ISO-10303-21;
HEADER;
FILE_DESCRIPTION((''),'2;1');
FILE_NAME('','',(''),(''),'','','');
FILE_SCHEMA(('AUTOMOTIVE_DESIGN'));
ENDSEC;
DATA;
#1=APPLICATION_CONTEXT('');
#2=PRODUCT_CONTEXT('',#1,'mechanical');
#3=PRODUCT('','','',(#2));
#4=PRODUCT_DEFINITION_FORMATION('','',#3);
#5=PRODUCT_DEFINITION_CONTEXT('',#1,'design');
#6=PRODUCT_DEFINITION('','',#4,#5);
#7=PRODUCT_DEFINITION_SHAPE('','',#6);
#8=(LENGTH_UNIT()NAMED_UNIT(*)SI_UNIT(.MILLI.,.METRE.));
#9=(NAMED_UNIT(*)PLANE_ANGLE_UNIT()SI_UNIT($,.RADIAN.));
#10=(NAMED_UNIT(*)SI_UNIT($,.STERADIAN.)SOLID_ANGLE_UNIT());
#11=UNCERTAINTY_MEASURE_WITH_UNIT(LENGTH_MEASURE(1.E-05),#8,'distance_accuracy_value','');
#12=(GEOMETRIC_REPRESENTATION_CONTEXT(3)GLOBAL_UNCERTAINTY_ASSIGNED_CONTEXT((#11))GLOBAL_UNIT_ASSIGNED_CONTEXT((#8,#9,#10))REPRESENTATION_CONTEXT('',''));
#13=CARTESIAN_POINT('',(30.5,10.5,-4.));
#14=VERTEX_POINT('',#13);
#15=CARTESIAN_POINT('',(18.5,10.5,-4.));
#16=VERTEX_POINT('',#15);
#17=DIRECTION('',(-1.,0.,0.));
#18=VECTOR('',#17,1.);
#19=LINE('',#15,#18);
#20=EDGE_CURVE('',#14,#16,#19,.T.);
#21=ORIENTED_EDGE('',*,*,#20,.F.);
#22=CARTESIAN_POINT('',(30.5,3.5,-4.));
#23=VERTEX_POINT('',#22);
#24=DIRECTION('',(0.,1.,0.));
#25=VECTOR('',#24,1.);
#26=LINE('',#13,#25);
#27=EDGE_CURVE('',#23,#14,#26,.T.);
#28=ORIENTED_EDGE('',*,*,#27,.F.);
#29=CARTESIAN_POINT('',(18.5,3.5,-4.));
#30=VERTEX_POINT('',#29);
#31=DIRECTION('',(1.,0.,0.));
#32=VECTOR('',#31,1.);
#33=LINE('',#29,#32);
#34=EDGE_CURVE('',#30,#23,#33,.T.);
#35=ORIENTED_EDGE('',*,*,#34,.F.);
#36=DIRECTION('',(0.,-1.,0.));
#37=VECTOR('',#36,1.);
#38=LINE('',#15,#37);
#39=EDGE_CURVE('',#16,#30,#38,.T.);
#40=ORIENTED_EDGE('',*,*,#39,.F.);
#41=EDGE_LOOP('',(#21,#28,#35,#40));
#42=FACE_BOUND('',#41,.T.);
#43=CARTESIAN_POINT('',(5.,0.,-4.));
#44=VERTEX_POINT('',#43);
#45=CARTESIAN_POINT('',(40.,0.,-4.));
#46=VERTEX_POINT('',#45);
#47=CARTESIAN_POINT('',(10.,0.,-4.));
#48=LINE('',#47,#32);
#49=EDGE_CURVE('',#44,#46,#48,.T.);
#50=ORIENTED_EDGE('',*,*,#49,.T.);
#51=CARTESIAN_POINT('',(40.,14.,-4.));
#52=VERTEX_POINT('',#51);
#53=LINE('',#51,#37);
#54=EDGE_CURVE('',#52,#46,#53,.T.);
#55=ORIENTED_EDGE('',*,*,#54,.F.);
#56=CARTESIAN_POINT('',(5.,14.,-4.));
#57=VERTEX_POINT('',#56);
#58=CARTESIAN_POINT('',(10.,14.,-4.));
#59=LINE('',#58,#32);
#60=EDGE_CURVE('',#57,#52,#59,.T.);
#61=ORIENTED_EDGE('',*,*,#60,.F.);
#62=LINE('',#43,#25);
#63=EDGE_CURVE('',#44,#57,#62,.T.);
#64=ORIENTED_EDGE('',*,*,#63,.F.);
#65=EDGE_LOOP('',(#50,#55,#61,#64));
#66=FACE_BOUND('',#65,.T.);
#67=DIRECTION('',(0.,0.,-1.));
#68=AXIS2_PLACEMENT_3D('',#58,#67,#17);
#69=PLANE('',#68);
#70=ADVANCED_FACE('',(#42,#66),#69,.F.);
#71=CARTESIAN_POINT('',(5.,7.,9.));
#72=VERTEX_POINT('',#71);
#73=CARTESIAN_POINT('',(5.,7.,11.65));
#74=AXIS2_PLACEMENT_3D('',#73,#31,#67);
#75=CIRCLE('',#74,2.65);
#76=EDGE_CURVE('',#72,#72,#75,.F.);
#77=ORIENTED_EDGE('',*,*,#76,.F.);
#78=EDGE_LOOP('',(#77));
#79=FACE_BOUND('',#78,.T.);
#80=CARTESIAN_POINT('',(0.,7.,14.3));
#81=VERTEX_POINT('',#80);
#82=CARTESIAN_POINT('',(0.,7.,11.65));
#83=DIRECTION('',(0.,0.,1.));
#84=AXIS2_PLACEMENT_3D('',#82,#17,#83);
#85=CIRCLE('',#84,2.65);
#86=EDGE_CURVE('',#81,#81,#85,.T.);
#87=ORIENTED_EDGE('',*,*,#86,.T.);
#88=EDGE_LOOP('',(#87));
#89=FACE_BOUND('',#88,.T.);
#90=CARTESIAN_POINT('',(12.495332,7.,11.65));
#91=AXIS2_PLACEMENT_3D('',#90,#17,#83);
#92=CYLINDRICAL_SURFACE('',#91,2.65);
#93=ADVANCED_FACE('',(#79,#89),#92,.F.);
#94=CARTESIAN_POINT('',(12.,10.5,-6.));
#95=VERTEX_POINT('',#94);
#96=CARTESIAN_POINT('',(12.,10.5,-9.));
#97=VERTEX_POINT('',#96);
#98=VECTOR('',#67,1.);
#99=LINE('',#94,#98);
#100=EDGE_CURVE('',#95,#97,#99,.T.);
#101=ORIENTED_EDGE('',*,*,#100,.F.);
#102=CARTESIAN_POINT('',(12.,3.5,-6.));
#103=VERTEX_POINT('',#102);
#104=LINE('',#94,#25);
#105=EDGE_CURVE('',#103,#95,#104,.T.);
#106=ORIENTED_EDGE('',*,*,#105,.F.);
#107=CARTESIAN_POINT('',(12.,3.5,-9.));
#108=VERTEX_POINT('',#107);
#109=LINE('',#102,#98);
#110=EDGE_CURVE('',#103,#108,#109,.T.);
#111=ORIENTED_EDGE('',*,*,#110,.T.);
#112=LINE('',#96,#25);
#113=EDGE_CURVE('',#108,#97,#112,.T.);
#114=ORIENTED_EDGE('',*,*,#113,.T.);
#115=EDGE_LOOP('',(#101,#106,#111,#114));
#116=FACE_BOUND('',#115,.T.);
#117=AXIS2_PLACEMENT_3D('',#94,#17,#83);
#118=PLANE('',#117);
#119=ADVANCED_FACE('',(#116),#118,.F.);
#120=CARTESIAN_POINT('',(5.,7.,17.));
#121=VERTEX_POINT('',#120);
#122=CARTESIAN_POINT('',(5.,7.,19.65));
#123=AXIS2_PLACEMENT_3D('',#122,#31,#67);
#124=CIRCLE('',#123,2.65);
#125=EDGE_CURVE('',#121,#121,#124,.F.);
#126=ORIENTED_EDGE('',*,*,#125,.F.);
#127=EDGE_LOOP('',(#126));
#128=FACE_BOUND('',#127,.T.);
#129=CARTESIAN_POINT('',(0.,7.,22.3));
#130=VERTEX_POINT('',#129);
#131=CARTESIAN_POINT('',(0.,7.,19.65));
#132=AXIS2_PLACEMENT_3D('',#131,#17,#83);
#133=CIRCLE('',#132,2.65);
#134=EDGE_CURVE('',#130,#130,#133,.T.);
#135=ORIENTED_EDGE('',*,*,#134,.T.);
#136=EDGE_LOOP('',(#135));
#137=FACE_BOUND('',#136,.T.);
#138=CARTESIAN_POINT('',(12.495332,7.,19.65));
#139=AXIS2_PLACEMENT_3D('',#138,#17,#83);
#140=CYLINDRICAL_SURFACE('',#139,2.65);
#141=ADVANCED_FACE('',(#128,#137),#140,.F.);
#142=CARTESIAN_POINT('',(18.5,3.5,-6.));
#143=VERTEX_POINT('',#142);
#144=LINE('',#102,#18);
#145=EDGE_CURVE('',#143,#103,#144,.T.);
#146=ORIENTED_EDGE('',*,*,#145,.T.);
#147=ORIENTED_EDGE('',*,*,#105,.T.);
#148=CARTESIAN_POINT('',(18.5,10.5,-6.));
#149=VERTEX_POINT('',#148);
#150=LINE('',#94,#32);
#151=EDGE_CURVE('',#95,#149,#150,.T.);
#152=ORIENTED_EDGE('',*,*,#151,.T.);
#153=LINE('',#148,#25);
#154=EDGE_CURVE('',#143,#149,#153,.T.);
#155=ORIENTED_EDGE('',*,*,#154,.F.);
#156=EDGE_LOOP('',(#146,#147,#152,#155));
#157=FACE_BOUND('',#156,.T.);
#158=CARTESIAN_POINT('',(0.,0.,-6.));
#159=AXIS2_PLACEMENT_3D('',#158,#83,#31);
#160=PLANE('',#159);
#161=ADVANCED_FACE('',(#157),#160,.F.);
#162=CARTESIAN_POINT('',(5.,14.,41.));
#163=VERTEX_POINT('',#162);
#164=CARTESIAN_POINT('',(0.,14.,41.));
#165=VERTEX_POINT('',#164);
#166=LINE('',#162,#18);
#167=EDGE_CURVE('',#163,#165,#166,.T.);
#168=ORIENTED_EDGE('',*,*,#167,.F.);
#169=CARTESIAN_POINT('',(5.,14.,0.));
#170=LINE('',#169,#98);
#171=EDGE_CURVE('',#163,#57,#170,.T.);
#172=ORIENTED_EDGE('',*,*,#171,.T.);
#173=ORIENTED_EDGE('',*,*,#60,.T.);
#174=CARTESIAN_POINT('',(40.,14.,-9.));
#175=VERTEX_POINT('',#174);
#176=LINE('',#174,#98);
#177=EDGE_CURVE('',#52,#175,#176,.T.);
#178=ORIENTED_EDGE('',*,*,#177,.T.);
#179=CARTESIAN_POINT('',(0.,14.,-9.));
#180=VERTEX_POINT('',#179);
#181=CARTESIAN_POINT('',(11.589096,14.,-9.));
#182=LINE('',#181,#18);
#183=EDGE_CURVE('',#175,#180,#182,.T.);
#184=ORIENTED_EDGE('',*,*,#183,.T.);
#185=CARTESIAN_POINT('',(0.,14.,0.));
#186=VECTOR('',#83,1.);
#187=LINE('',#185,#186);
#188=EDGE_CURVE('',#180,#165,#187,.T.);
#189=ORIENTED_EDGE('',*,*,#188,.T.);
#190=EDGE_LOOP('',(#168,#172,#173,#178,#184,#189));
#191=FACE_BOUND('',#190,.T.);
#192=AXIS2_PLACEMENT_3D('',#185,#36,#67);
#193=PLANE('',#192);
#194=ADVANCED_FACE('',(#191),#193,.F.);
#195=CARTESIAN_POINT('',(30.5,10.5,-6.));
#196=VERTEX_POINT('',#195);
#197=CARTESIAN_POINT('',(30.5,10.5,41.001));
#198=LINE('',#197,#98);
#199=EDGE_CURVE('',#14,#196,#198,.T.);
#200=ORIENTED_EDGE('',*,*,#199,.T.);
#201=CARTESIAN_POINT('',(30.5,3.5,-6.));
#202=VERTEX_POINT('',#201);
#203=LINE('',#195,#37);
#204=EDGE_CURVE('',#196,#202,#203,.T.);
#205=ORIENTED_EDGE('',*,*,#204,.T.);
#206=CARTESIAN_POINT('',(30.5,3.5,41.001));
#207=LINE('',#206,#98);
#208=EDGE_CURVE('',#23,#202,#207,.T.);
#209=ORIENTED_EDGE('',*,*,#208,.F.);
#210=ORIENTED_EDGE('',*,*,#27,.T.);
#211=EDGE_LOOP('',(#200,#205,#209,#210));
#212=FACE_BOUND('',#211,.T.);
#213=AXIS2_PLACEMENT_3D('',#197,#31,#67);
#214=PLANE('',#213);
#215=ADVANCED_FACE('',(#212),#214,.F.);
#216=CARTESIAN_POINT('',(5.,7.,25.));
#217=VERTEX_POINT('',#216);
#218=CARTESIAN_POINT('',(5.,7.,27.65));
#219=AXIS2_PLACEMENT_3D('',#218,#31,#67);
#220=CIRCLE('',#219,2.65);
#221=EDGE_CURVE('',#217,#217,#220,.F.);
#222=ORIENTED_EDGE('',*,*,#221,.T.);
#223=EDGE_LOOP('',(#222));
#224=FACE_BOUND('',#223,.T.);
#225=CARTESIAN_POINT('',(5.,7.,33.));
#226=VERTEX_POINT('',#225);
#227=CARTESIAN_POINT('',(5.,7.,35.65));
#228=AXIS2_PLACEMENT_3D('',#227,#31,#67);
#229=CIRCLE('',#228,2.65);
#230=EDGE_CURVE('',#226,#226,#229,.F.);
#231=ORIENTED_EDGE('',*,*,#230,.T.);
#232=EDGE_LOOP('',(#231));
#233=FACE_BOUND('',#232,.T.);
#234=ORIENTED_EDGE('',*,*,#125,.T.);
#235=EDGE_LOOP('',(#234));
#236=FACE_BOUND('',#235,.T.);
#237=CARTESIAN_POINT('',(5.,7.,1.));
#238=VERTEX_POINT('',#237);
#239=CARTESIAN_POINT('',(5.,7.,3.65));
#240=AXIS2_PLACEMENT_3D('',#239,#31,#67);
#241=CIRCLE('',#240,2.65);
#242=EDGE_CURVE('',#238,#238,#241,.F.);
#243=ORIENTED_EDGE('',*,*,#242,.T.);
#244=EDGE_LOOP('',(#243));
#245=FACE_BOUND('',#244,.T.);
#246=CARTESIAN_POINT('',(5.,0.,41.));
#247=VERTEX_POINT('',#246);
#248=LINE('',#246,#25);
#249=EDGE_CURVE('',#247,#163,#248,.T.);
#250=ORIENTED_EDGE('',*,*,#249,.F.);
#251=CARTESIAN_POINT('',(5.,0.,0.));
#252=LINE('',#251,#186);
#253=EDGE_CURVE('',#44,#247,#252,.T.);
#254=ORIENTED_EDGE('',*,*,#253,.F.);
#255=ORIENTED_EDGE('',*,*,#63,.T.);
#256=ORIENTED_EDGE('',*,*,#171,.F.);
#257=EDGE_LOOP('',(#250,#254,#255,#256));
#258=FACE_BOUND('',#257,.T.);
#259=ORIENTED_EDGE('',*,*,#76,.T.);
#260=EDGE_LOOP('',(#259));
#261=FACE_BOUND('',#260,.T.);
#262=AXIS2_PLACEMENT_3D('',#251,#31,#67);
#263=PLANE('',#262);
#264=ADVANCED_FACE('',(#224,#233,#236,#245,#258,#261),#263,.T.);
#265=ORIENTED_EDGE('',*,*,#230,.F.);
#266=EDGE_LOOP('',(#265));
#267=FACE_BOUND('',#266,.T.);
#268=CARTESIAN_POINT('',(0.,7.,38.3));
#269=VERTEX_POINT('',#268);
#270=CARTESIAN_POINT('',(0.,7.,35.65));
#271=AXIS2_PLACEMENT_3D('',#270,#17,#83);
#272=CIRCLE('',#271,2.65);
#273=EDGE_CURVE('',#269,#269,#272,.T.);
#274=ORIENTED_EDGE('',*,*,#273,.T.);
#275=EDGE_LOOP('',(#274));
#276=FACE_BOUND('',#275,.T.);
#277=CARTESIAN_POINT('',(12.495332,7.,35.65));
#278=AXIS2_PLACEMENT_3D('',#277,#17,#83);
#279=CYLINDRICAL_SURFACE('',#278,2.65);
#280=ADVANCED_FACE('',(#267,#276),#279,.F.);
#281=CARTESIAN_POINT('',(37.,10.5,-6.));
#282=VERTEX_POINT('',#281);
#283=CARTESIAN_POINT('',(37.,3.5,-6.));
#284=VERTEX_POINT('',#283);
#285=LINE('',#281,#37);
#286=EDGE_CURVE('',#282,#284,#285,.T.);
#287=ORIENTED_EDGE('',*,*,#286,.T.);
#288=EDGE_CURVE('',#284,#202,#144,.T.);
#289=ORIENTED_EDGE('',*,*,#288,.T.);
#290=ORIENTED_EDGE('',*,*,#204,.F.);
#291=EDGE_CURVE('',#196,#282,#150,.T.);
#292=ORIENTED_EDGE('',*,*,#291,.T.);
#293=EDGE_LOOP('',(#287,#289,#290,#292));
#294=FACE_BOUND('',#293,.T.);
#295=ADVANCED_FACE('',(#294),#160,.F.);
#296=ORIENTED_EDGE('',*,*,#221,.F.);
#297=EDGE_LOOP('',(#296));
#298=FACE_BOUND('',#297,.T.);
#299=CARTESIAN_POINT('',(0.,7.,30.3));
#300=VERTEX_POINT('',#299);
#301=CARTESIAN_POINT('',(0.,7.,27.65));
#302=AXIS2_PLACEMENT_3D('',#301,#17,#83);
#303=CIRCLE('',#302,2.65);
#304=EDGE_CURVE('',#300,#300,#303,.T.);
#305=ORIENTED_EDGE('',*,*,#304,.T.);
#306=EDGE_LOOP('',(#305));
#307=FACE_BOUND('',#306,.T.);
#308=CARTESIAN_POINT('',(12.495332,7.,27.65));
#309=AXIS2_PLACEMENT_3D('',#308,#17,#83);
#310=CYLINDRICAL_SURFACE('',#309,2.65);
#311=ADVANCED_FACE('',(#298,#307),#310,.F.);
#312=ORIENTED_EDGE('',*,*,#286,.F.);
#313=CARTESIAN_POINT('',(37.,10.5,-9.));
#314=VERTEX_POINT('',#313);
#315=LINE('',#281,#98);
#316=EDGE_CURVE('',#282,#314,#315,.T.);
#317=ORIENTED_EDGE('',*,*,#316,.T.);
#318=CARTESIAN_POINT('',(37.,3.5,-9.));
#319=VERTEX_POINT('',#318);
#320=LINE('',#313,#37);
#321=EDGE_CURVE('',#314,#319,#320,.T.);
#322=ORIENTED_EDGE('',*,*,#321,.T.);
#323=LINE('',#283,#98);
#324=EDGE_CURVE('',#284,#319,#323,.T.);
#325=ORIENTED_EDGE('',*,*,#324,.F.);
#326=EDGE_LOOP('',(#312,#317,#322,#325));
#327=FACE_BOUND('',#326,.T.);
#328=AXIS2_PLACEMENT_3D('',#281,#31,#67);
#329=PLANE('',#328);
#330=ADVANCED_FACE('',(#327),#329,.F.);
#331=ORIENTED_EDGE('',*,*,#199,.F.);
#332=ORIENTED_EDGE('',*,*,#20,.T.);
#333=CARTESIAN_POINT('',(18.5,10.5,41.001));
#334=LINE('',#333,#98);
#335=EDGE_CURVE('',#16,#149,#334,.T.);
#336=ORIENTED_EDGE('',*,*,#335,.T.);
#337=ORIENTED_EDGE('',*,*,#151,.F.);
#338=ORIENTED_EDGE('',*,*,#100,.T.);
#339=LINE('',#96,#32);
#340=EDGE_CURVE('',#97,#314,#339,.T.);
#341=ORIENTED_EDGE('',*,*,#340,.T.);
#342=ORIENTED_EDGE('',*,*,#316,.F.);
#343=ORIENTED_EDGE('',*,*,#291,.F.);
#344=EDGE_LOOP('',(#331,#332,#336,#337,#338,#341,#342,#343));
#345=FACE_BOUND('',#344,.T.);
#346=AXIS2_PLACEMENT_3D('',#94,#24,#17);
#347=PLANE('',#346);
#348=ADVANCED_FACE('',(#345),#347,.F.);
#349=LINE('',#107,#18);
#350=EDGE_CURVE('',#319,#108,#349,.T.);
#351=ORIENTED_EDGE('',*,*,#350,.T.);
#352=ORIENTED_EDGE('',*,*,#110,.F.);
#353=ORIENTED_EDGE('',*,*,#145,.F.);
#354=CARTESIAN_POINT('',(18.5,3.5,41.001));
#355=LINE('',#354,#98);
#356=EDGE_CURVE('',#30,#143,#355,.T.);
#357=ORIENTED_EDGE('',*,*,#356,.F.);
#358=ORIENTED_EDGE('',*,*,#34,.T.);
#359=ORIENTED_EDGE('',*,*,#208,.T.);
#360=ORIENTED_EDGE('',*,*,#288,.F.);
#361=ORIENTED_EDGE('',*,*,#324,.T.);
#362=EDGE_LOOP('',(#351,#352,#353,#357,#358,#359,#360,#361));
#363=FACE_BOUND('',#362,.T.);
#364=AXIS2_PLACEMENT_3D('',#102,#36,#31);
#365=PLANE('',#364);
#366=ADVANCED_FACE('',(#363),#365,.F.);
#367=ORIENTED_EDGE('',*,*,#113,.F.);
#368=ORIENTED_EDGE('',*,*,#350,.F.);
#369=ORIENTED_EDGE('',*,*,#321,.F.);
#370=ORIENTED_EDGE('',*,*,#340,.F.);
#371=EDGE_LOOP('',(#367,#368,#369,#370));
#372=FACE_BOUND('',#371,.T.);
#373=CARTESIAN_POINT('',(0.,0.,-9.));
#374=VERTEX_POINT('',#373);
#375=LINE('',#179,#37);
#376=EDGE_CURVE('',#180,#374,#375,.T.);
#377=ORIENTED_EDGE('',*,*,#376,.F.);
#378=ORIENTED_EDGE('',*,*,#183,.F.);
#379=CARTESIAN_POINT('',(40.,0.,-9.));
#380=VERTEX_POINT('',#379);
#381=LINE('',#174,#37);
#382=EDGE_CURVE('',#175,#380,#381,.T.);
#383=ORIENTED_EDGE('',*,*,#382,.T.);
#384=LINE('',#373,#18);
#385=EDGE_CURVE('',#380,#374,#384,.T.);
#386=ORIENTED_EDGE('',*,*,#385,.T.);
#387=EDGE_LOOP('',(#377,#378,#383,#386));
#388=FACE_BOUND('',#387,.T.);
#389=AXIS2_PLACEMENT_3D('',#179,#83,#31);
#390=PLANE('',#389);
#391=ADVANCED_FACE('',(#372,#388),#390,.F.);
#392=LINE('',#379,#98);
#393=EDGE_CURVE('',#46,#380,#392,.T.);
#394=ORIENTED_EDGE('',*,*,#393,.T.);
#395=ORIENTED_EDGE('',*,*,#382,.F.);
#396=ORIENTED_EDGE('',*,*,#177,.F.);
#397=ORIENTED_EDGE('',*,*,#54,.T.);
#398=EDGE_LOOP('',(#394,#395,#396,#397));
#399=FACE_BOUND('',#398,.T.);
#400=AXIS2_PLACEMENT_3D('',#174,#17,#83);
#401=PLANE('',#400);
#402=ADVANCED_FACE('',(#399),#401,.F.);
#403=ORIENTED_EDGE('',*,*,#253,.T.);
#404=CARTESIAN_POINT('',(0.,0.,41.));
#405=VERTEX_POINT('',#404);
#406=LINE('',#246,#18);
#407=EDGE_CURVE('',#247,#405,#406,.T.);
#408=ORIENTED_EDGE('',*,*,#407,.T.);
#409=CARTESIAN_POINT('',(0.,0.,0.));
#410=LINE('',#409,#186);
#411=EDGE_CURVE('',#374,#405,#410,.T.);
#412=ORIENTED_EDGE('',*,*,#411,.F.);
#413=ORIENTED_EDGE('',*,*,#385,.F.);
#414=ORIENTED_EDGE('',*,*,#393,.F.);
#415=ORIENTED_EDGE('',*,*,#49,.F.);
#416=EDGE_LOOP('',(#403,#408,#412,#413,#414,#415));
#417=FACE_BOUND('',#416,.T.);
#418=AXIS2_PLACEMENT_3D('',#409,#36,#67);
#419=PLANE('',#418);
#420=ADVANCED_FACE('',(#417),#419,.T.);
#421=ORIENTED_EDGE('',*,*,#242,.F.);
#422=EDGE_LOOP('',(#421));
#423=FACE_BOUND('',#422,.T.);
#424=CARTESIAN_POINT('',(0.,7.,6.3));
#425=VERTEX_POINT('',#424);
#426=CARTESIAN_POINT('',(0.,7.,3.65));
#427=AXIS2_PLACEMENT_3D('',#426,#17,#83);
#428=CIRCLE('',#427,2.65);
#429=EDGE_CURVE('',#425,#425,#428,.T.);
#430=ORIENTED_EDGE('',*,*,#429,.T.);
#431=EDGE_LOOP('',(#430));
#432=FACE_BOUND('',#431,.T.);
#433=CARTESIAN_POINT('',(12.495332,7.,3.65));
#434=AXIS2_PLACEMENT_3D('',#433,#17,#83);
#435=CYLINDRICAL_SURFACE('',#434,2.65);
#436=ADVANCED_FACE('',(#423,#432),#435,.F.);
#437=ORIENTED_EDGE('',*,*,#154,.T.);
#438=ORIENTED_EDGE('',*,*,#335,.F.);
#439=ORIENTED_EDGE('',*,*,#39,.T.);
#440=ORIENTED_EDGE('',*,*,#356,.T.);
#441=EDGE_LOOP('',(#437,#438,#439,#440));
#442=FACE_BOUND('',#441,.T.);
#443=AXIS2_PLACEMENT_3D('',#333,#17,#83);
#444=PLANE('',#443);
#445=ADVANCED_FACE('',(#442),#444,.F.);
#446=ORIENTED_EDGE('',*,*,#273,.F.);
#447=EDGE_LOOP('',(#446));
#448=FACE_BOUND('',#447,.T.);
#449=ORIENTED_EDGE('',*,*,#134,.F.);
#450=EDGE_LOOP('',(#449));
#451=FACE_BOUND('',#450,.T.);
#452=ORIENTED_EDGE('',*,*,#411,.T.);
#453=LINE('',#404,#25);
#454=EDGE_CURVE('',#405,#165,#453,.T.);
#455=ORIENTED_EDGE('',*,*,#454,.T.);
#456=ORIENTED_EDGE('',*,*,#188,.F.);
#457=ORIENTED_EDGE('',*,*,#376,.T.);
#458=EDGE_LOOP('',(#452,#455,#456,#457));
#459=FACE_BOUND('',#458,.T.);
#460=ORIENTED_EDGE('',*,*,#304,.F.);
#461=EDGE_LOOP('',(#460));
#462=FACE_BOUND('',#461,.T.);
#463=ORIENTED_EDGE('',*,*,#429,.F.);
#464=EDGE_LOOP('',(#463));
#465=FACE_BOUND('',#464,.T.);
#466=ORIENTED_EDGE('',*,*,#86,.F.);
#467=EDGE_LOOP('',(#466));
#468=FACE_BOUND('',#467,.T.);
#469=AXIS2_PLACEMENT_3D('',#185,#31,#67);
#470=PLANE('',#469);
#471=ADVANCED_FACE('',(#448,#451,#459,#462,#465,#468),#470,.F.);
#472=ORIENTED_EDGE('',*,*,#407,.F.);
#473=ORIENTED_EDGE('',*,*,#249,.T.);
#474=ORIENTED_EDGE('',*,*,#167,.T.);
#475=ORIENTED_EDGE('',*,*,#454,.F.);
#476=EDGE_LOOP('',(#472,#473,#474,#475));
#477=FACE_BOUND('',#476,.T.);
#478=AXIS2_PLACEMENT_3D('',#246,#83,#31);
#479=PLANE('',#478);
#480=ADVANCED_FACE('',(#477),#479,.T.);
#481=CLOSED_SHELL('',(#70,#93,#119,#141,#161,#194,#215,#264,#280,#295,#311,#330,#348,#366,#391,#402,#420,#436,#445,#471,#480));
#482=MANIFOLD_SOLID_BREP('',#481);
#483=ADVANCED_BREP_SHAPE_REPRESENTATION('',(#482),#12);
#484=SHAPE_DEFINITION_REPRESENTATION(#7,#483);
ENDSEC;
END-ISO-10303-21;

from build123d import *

# Parameters (mm, degrees)
BOSS_EXTRUDE1_DEPTH  = 14
SKETCH20_W           = 41
SKETCH20_H           = 14
BOSS_EXTRUDE10_DEPTH = 5
SKETCH21_R           = 2.65
CUT_EXTRUDE13_DEPTH  = 5
SKETCH22_W           = 5
SKETCH22_H           = 4
CUT_EXTRUDE14_DEPTH  = 59.966091951
SKETCH23_R           = 2.65
BOSS_EXTRUDE11_DEPTH = 5
SKETCH24_W           = 25
SKETCH24_H           = 7
CUT_EXTRUDE15_DEPTH  = 3
CUT_EXTRUDE16_REACH  = 65.285
SKETCH25_W           = 12
SKETCH25_H           = 7


with BuildPart() as part:
    # Sketch1 → Boss-Extrude1 (new body)
    with BuildSketch(Plane(origin=(0, 0, 0), x_dir=(1, 0, 0), z_dir=(0, 1, 0))):
        Polygon((6.589095597, 0), (10, 0), (10, 4), (40, 4), (40, 9), (11.589095597, 9), (0, 9), (0, 0), align=None)
    extrude(amount=BOSS_EXTRUDE1_DEPTH)

    # Sketch20 → Boss-Extrude10 (add)
    with BuildSketch(Plane.ZY):
        with Locations((20.5, 7)):
            Rectangle(SKETCH20_W, SKETCH20_H)
    extrude(amount=-BOSS_EXTRUDE10_DEPTH)

    # Sketch21 → Cut-Extrude13 (cut)
    with BuildSketch(Plane.ZY):
        with Locations((-4.35, 7)):
            Circle(SKETCH21_R)
        with Locations((3.65, 7)):
            Circle(SKETCH21_R)
        with Locations((11.65, 7)):
            Circle(SKETCH21_R)
        with Locations((19.65, 7)):
            Circle(SKETCH21_R)
        with Locations((27.65, 7)):
            Circle(SKETCH21_R)
        with Locations((35.65, 7)):
            Circle(SKETCH21_R)
    extrude(amount=-CUT_EXTRUDE13_DEPTH, mode=Mode.SUBTRACT)

    # Sketch22 → Cut-Extrude14 (cut, through all)
    with BuildSketch(Plane(origin=(0, 14, 0), x_dir=(1, 0, 0), z_dir=(0, 1, 0))):
        with Locations((7.5, 2)):
            Rectangle(SKETCH22_W, SKETCH22_H)
    extrude(amount=-CUT_EXTRUDE14_DEPTH, mode=Mode.SUBTRACT)

    # Sketch23 → Boss-Extrude11 (add)
    with BuildSketch(Plane.ZY):
        with Locations((-4.35, 7)):
            Circle(SKETCH23_R)
    extrude(amount=-BOSS_EXTRUDE11_DEPTH)

    # Sketch24 → Cut-Extrude15 (cut)
    with BuildSketch(Plane(origin=(0, 0, -9), x_dir=(-1, 0, 0), z_dir=(0, 0, -1))):
        with Locations((-24.5, 7)):
            Rectangle(SKETCH24_W, SKETCH24_H)
    extrude(amount=-CUT_EXTRUDE15_DEPTH, mode=Mode.SUBTRACT)

    # Sketch25 → Cut-Extrude16 (cut, up to next)
    with BuildSketch(Plane(origin=(0, 0, -6), x_dir=(-1, 0, 0), z_dir=(0, 0, -1)), mode=Mode.PRIVATE) as cut_extrude16_sk1:
        with Locations((-24.5, 7)):
            Rectangle(SKETCH25_W, SKETCH25_H)
    cut_extrude16_tool1 = extrude(cut_extrude16_sk1.sketch, amount=-CUT_EXTRUDE16_REACH, mode=Mode.PRIVATE) & part.part
    add(cut_extrude16_tool1.solids().sort_by_distance((24.5, 7, -6))[0], mode=Mode.SUBTRACT)


solid = part.part
